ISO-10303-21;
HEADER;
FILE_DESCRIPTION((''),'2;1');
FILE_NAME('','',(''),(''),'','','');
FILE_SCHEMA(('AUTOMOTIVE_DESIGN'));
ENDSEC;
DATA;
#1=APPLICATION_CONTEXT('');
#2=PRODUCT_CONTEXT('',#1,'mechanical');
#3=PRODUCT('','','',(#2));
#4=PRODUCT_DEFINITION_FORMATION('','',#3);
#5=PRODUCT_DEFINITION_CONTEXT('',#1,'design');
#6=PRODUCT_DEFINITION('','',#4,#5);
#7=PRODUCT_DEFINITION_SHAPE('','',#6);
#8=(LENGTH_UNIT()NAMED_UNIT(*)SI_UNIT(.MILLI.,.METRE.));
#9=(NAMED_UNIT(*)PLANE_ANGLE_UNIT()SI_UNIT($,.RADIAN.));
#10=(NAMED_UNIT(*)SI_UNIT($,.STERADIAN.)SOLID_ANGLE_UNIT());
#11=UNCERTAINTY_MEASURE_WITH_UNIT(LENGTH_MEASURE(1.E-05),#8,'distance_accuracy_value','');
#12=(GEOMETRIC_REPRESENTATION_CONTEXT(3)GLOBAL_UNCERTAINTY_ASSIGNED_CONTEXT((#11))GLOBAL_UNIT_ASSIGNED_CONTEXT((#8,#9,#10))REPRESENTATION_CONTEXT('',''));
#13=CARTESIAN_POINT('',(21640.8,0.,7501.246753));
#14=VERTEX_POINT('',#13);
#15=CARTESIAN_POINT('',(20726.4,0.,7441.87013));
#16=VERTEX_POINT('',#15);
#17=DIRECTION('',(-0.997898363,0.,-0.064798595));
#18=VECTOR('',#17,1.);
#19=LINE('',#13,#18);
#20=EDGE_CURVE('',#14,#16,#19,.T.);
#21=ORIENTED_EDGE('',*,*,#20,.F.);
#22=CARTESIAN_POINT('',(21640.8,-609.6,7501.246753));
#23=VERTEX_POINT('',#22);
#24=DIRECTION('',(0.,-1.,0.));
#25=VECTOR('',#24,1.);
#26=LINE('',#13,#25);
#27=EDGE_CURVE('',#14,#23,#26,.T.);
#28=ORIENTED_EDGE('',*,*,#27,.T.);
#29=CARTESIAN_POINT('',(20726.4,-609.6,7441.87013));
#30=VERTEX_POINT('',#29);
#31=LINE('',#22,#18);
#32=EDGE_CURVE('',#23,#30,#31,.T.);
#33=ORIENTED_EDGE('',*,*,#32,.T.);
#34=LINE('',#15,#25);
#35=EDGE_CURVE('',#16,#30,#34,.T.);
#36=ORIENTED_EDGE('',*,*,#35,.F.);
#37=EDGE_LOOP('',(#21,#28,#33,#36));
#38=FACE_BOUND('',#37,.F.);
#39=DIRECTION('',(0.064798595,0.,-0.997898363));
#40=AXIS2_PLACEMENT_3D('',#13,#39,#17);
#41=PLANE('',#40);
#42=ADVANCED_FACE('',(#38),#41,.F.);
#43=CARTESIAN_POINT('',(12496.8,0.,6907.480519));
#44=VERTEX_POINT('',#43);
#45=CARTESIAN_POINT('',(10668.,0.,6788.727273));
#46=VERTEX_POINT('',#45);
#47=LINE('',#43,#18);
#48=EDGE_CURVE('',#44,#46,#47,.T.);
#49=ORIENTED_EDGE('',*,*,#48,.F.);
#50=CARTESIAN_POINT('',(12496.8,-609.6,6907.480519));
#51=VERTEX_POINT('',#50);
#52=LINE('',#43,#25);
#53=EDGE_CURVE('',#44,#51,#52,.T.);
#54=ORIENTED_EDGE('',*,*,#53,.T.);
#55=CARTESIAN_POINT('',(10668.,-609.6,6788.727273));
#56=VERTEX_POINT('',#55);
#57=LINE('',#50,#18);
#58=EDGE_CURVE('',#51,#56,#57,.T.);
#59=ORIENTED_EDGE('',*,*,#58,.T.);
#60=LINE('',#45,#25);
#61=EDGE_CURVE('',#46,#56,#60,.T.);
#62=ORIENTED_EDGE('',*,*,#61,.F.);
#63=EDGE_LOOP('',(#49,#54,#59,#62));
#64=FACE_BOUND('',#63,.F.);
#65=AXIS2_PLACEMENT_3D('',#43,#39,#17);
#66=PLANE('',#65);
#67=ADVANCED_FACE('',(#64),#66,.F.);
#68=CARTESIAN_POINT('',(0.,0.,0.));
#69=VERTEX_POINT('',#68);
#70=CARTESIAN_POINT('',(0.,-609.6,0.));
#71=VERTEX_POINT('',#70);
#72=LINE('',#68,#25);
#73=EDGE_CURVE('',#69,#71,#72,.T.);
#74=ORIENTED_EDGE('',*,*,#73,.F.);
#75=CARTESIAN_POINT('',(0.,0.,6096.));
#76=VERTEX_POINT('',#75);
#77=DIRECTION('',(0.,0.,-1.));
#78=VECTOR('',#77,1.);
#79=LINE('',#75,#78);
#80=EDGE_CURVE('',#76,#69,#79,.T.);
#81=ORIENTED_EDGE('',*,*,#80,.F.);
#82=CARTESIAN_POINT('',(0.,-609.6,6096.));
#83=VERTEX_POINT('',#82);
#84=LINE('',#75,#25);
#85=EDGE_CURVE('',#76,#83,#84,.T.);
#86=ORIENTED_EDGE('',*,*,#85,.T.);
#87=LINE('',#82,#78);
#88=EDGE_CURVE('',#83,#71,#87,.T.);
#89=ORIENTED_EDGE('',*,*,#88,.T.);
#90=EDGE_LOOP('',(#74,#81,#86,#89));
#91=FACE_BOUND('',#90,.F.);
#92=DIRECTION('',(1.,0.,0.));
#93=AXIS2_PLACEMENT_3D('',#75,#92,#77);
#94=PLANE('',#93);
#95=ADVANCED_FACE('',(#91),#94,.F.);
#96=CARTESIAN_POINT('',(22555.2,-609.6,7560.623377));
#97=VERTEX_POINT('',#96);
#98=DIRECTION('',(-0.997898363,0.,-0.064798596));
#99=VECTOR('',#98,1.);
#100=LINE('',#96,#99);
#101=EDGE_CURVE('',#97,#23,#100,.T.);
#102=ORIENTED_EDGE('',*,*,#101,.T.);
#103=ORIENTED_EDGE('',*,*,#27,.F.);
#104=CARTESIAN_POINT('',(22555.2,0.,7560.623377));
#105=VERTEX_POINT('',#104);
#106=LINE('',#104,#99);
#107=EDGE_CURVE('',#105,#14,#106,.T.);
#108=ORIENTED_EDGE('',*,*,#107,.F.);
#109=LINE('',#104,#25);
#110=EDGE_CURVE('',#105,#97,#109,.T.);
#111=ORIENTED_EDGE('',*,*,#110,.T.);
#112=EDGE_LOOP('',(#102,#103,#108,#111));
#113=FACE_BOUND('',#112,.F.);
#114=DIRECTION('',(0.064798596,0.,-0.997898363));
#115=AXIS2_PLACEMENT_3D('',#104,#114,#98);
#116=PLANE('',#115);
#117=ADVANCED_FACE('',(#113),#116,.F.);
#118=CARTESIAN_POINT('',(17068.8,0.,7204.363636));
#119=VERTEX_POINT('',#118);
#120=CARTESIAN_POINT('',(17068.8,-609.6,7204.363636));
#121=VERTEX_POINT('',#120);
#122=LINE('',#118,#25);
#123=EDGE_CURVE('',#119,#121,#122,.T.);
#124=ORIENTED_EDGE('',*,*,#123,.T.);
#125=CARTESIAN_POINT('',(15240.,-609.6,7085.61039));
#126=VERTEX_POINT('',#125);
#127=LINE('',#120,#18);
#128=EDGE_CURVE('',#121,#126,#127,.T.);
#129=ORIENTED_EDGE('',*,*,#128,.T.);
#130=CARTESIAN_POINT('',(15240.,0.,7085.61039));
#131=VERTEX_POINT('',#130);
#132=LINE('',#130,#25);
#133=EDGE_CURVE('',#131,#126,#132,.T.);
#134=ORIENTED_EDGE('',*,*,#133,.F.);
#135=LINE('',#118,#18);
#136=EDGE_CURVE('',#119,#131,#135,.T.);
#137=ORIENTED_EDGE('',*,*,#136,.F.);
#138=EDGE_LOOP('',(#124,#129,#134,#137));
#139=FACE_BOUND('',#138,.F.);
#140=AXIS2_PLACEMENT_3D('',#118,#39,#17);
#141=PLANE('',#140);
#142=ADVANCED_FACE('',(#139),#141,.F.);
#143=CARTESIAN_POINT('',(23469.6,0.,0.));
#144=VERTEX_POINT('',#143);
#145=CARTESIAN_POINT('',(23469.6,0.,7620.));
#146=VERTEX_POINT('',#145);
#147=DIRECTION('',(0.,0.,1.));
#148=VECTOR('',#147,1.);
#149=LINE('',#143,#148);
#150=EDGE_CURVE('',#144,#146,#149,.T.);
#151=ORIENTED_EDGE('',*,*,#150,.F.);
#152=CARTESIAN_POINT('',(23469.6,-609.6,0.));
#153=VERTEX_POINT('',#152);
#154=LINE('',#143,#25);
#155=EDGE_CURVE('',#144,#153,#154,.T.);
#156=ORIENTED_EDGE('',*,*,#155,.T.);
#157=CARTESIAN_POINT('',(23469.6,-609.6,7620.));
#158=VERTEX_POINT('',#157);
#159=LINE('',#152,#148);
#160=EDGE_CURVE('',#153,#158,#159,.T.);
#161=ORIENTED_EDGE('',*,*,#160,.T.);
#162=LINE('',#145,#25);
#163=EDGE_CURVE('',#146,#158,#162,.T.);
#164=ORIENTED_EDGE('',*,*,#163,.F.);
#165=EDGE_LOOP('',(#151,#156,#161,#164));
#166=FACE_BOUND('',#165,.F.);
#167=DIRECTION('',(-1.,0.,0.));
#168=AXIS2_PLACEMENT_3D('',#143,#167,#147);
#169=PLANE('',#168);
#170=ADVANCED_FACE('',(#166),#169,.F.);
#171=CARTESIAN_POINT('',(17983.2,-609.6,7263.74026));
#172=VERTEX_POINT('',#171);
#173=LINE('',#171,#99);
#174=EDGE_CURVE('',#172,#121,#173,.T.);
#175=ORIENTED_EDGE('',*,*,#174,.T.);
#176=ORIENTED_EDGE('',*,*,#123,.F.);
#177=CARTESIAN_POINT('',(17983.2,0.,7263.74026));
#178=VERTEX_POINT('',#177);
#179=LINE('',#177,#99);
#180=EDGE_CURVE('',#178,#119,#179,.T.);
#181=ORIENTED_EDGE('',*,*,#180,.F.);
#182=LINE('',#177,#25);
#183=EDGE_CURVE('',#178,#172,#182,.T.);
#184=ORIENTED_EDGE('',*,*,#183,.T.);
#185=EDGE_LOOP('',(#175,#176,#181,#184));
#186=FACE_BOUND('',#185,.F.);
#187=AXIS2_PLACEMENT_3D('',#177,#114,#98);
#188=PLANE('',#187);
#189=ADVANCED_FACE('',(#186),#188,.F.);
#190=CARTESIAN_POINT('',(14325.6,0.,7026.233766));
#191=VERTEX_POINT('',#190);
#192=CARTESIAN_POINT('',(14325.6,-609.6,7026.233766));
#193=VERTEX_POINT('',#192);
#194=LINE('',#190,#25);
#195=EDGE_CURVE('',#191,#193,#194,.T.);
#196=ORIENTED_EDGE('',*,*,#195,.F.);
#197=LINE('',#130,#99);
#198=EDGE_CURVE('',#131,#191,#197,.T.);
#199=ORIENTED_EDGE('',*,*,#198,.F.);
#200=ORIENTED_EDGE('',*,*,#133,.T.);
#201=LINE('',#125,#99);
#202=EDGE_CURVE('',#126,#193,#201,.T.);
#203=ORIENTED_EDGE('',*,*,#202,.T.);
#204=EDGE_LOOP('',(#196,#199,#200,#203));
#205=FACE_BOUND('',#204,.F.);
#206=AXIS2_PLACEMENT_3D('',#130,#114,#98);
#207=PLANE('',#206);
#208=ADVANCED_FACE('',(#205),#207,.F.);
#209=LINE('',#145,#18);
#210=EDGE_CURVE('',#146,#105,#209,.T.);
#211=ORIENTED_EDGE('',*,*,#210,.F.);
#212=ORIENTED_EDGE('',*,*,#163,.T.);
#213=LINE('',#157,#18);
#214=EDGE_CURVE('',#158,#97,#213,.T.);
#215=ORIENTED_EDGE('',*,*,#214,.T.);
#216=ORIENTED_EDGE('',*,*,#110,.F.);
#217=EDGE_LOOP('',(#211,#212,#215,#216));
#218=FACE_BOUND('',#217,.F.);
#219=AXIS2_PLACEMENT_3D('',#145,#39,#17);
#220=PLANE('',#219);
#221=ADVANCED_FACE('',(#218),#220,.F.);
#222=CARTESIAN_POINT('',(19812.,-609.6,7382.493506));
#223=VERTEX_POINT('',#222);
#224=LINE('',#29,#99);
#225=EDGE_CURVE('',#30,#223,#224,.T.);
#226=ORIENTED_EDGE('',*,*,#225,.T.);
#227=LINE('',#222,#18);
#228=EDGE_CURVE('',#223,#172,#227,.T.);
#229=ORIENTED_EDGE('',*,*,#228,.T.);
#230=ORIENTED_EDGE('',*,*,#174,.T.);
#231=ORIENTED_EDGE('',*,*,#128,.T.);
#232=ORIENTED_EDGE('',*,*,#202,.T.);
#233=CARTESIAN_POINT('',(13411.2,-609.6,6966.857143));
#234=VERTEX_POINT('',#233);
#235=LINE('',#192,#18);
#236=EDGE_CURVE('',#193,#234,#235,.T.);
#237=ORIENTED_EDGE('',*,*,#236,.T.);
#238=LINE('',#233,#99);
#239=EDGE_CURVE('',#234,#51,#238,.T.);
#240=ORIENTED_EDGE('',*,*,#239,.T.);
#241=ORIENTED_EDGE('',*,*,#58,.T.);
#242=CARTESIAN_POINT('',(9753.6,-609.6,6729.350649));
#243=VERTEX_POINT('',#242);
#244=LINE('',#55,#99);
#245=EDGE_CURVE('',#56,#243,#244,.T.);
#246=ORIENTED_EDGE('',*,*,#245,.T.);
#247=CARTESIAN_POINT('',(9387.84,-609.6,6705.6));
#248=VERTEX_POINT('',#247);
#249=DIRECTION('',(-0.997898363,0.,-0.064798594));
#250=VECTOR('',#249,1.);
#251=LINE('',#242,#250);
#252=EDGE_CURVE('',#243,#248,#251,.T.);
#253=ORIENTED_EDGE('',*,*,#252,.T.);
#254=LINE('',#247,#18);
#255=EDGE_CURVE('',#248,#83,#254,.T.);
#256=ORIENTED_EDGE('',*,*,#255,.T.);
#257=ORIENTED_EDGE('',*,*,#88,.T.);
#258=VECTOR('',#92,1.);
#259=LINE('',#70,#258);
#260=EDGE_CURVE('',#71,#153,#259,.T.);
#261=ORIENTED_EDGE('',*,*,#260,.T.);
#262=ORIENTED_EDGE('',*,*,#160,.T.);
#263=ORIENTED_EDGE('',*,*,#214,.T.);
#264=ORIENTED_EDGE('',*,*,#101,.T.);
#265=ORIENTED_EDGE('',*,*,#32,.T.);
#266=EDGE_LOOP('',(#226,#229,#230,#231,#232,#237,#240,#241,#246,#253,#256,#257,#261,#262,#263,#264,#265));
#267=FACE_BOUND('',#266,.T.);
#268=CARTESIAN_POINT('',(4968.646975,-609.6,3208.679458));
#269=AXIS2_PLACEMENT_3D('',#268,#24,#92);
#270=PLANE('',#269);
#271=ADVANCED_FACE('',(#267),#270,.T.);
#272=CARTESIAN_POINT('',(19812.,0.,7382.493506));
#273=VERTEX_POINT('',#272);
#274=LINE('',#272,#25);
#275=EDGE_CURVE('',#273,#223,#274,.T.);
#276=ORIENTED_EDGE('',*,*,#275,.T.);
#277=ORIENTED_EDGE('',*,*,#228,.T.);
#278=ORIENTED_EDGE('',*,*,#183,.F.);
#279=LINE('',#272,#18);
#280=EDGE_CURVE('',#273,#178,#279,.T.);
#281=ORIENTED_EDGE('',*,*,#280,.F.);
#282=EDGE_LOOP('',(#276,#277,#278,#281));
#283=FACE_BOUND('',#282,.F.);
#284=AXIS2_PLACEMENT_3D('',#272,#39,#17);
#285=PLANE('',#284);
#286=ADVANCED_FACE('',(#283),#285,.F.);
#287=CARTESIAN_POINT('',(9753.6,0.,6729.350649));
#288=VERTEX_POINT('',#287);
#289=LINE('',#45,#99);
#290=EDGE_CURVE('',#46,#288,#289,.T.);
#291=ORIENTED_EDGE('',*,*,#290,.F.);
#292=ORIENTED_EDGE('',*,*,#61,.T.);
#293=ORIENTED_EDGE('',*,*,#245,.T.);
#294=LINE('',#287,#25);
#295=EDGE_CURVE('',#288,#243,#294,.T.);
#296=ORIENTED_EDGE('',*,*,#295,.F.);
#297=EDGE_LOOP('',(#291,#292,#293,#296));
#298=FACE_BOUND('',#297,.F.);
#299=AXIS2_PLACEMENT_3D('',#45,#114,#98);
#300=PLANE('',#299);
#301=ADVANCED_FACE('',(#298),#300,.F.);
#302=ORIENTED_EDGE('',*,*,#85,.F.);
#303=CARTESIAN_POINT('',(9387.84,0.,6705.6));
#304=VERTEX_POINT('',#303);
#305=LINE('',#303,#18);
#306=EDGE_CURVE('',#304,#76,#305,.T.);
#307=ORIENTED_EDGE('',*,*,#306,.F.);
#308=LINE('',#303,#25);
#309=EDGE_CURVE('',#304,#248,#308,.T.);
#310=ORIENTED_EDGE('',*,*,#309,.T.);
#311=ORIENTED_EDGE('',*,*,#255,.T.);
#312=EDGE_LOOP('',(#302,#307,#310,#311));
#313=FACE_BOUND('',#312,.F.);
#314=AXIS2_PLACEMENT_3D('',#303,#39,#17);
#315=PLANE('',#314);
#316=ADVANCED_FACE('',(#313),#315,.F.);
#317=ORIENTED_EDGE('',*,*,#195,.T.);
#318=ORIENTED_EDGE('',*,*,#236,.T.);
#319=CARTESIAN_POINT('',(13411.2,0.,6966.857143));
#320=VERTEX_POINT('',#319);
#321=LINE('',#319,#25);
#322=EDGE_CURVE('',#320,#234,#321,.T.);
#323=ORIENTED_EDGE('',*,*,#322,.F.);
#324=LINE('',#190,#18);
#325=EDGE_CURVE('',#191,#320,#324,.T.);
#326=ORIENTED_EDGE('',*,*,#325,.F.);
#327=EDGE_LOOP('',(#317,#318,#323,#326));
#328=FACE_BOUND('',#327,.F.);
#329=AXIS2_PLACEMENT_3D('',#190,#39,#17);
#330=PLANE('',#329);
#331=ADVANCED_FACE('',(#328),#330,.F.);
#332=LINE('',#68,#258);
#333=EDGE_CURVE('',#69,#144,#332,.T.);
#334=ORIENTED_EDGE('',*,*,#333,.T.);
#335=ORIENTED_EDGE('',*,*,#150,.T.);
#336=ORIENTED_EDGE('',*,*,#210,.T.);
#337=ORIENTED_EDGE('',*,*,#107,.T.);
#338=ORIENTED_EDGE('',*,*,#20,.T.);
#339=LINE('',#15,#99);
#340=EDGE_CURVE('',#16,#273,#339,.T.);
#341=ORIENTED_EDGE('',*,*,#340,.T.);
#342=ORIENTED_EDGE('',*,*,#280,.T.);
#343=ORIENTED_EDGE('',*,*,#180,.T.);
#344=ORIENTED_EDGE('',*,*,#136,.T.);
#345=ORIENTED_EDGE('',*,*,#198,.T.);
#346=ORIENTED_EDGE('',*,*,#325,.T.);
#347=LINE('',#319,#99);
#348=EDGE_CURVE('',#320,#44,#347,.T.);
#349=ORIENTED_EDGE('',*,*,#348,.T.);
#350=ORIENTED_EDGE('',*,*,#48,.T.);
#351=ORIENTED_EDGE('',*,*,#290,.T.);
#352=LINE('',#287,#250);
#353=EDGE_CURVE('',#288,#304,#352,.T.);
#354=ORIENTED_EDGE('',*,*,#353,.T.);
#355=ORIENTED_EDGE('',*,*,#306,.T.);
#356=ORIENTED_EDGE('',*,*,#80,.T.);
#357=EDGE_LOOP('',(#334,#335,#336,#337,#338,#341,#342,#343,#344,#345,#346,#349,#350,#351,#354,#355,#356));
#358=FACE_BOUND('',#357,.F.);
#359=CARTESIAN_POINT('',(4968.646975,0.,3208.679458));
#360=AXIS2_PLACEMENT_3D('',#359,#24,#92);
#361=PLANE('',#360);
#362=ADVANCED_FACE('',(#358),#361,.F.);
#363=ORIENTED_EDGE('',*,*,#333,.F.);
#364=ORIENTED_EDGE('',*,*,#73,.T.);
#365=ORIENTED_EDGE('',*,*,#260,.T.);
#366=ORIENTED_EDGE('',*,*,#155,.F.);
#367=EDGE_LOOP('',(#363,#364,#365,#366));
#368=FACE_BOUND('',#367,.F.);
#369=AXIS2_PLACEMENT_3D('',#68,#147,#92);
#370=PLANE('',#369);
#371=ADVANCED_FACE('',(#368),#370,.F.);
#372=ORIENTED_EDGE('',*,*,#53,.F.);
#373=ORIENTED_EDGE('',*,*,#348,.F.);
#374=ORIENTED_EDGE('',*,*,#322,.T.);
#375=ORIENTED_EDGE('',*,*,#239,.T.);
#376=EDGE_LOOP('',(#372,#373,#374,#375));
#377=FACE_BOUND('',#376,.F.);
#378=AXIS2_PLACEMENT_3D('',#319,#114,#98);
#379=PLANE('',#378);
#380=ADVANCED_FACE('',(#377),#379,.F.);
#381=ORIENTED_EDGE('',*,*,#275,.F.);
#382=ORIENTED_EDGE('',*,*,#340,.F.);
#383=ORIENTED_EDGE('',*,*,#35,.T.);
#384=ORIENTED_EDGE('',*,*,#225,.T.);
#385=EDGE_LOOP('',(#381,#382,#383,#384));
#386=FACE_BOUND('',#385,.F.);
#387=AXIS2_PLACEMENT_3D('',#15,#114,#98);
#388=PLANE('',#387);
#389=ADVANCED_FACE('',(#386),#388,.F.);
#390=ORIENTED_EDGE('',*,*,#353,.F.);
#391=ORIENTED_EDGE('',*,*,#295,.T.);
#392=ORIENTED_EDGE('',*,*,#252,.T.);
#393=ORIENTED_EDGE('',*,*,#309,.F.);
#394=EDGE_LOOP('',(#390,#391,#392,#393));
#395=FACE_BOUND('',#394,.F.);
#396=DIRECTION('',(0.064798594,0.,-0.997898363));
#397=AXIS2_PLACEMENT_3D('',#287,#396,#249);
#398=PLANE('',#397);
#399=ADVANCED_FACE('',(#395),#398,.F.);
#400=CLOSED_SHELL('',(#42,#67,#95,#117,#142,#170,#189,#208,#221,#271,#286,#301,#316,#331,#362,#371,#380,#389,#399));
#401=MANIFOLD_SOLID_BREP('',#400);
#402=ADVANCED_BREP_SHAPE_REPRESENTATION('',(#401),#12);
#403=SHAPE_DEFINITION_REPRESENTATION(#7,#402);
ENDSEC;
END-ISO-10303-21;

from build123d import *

# Parameters (mm, degrees)
F0_W     = 914.4
F0_H     = 6705.6
F1_DEPTH = 609.6


with BuildPart() as f1:
    # F0 (on Front) → F1 (new body)
    with BuildSketch(Plane.XZ):
        Polygon((0, 6096), (0, 0), (9753.6, 0), (9753.6, 6705.6), (9387.84, 6705.6), align=None)
        with Locations((10210.8, 3352.8)):
            Rectangle(F0_W, F0_H)
        with Locations((11125.2, 3352.8)):
            Rectangle(F0_W, F0_H)
        Polygon((9753.6, 6729.350649), (9753.6, 6705.6), (10668, 6705.6), (10668, 6788.727273), align=None)
        Polygon((9387.84, 6705.6), (9753.6, 6705.6), (9753.6, 6729.350649), align=None)
        with Locations((12039.6, 3352.8)):
            Rectangle(F0_W, F0_H)
        Polygon((10668, 6788.727273), (10668, 6705.6), (11582.4, 6705.6), (11582.4, 6848.103896), align=None)
        with Locations((12954, 3352.8)):
            Rectangle(F0_W, F0_H)
        Polygon((11582.4, 6848.103896), (11582.4, 6705.6), (12496.8, 6705.6), (12496.8, 6907.480519), align=None)
        with Locations((13868.4, 3352.8)):
            Rectangle(F0_W, F0_H)
        Polygon((12496.8, 6907.480519), (12496.8, 6705.6), (13411.2, 6705.6), (13411.2, 6966.857143), align=None)
        with Locations((14782.8, 3352.8)):
            Rectangle(F0_W, F0_H)
        Polygon((13411.2, 6966.857143), (13411.2, 6705.6), (14325.6, 6705.6), (14325.6, 7026.233766), align=None)
        with Locations((15697.2, 3352.8)):
            Rectangle(F0_W, F0_H)
        Polygon((14325.6, 7026.233766), (14325.6, 6705.6), (15240, 6705.6), (15240, 7085.61039), align=None)
        with Locations((16611.6, 3352.8)):
            Rectangle(F0_W, F0_H)
        Polygon((15240, 7085.61039), (15240, 6705.6), (16154.4, 6705.6), (16154.4, 7144.987013), align=None)
        with Locations((17526, 3352.8)):
            Rectangle(F0_W, F0_H)
        Polygon((16154.4, 7144.987013), (16154.4, 6705.6), (17068.8, 6705.6), (17068.8, 7204.363636), align=None)
        with Locations((18440.4, 3352.8)):
            Rectangle(F0_W, F0_H)
        Polygon((17068.8, 7204.363636), (17068.8, 6705.6), (17983.2, 6705.6), (17983.2, 7263.74026), align=None)
        with Locations((19354.8, 3352.8)):
            Rectangle(F0_W, F0_H)
        Polygon((17983.2, 7263.74026), (17983.2, 6705.6), (18897.6, 6705.6), (18897.6, 7323.116883), align=None)
        with Locations((20269.2, 3352.8)):
            Rectangle(F0_W, F0_H)
        Polygon((18897.6, 7323.116883), (18897.6, 6705.6), (19812, 6705.6), (19812, 7382.493506), align=None)
        with Locations((21183.6, 3352.8)):
            Rectangle(F0_W, F0_H)
        Polygon((19812, 7382.493506), (19812, 6705.6), (20726.4, 6705.6), (20726.4, 7441.87013), align=None)
        with Locations((22098, 3352.8)):
            Rectangle(F0_W, F0_H)
        Polygon((20726.4, 7441.87013), (20726.4, 6705.6), (21640.8, 6705.6), (21640.8, 7501.246753), align=None)
        with Locations((23012.4, 3352.8)):
            Rectangle(F0_W, F0_H)
        Polygon((21640.8, 7501.246753), (21640.8, 6705.6), (22555.2, 6705.6), (22555.2, 7560.623377), align=None)
        Polygon((22555.2, 7560.623377), (22555.2, 6705.6), (23469.6, 6705.6), (23469.6, 7620), align=None)
    extrude(amount=F1_DEPTH)


solid = f1.part
